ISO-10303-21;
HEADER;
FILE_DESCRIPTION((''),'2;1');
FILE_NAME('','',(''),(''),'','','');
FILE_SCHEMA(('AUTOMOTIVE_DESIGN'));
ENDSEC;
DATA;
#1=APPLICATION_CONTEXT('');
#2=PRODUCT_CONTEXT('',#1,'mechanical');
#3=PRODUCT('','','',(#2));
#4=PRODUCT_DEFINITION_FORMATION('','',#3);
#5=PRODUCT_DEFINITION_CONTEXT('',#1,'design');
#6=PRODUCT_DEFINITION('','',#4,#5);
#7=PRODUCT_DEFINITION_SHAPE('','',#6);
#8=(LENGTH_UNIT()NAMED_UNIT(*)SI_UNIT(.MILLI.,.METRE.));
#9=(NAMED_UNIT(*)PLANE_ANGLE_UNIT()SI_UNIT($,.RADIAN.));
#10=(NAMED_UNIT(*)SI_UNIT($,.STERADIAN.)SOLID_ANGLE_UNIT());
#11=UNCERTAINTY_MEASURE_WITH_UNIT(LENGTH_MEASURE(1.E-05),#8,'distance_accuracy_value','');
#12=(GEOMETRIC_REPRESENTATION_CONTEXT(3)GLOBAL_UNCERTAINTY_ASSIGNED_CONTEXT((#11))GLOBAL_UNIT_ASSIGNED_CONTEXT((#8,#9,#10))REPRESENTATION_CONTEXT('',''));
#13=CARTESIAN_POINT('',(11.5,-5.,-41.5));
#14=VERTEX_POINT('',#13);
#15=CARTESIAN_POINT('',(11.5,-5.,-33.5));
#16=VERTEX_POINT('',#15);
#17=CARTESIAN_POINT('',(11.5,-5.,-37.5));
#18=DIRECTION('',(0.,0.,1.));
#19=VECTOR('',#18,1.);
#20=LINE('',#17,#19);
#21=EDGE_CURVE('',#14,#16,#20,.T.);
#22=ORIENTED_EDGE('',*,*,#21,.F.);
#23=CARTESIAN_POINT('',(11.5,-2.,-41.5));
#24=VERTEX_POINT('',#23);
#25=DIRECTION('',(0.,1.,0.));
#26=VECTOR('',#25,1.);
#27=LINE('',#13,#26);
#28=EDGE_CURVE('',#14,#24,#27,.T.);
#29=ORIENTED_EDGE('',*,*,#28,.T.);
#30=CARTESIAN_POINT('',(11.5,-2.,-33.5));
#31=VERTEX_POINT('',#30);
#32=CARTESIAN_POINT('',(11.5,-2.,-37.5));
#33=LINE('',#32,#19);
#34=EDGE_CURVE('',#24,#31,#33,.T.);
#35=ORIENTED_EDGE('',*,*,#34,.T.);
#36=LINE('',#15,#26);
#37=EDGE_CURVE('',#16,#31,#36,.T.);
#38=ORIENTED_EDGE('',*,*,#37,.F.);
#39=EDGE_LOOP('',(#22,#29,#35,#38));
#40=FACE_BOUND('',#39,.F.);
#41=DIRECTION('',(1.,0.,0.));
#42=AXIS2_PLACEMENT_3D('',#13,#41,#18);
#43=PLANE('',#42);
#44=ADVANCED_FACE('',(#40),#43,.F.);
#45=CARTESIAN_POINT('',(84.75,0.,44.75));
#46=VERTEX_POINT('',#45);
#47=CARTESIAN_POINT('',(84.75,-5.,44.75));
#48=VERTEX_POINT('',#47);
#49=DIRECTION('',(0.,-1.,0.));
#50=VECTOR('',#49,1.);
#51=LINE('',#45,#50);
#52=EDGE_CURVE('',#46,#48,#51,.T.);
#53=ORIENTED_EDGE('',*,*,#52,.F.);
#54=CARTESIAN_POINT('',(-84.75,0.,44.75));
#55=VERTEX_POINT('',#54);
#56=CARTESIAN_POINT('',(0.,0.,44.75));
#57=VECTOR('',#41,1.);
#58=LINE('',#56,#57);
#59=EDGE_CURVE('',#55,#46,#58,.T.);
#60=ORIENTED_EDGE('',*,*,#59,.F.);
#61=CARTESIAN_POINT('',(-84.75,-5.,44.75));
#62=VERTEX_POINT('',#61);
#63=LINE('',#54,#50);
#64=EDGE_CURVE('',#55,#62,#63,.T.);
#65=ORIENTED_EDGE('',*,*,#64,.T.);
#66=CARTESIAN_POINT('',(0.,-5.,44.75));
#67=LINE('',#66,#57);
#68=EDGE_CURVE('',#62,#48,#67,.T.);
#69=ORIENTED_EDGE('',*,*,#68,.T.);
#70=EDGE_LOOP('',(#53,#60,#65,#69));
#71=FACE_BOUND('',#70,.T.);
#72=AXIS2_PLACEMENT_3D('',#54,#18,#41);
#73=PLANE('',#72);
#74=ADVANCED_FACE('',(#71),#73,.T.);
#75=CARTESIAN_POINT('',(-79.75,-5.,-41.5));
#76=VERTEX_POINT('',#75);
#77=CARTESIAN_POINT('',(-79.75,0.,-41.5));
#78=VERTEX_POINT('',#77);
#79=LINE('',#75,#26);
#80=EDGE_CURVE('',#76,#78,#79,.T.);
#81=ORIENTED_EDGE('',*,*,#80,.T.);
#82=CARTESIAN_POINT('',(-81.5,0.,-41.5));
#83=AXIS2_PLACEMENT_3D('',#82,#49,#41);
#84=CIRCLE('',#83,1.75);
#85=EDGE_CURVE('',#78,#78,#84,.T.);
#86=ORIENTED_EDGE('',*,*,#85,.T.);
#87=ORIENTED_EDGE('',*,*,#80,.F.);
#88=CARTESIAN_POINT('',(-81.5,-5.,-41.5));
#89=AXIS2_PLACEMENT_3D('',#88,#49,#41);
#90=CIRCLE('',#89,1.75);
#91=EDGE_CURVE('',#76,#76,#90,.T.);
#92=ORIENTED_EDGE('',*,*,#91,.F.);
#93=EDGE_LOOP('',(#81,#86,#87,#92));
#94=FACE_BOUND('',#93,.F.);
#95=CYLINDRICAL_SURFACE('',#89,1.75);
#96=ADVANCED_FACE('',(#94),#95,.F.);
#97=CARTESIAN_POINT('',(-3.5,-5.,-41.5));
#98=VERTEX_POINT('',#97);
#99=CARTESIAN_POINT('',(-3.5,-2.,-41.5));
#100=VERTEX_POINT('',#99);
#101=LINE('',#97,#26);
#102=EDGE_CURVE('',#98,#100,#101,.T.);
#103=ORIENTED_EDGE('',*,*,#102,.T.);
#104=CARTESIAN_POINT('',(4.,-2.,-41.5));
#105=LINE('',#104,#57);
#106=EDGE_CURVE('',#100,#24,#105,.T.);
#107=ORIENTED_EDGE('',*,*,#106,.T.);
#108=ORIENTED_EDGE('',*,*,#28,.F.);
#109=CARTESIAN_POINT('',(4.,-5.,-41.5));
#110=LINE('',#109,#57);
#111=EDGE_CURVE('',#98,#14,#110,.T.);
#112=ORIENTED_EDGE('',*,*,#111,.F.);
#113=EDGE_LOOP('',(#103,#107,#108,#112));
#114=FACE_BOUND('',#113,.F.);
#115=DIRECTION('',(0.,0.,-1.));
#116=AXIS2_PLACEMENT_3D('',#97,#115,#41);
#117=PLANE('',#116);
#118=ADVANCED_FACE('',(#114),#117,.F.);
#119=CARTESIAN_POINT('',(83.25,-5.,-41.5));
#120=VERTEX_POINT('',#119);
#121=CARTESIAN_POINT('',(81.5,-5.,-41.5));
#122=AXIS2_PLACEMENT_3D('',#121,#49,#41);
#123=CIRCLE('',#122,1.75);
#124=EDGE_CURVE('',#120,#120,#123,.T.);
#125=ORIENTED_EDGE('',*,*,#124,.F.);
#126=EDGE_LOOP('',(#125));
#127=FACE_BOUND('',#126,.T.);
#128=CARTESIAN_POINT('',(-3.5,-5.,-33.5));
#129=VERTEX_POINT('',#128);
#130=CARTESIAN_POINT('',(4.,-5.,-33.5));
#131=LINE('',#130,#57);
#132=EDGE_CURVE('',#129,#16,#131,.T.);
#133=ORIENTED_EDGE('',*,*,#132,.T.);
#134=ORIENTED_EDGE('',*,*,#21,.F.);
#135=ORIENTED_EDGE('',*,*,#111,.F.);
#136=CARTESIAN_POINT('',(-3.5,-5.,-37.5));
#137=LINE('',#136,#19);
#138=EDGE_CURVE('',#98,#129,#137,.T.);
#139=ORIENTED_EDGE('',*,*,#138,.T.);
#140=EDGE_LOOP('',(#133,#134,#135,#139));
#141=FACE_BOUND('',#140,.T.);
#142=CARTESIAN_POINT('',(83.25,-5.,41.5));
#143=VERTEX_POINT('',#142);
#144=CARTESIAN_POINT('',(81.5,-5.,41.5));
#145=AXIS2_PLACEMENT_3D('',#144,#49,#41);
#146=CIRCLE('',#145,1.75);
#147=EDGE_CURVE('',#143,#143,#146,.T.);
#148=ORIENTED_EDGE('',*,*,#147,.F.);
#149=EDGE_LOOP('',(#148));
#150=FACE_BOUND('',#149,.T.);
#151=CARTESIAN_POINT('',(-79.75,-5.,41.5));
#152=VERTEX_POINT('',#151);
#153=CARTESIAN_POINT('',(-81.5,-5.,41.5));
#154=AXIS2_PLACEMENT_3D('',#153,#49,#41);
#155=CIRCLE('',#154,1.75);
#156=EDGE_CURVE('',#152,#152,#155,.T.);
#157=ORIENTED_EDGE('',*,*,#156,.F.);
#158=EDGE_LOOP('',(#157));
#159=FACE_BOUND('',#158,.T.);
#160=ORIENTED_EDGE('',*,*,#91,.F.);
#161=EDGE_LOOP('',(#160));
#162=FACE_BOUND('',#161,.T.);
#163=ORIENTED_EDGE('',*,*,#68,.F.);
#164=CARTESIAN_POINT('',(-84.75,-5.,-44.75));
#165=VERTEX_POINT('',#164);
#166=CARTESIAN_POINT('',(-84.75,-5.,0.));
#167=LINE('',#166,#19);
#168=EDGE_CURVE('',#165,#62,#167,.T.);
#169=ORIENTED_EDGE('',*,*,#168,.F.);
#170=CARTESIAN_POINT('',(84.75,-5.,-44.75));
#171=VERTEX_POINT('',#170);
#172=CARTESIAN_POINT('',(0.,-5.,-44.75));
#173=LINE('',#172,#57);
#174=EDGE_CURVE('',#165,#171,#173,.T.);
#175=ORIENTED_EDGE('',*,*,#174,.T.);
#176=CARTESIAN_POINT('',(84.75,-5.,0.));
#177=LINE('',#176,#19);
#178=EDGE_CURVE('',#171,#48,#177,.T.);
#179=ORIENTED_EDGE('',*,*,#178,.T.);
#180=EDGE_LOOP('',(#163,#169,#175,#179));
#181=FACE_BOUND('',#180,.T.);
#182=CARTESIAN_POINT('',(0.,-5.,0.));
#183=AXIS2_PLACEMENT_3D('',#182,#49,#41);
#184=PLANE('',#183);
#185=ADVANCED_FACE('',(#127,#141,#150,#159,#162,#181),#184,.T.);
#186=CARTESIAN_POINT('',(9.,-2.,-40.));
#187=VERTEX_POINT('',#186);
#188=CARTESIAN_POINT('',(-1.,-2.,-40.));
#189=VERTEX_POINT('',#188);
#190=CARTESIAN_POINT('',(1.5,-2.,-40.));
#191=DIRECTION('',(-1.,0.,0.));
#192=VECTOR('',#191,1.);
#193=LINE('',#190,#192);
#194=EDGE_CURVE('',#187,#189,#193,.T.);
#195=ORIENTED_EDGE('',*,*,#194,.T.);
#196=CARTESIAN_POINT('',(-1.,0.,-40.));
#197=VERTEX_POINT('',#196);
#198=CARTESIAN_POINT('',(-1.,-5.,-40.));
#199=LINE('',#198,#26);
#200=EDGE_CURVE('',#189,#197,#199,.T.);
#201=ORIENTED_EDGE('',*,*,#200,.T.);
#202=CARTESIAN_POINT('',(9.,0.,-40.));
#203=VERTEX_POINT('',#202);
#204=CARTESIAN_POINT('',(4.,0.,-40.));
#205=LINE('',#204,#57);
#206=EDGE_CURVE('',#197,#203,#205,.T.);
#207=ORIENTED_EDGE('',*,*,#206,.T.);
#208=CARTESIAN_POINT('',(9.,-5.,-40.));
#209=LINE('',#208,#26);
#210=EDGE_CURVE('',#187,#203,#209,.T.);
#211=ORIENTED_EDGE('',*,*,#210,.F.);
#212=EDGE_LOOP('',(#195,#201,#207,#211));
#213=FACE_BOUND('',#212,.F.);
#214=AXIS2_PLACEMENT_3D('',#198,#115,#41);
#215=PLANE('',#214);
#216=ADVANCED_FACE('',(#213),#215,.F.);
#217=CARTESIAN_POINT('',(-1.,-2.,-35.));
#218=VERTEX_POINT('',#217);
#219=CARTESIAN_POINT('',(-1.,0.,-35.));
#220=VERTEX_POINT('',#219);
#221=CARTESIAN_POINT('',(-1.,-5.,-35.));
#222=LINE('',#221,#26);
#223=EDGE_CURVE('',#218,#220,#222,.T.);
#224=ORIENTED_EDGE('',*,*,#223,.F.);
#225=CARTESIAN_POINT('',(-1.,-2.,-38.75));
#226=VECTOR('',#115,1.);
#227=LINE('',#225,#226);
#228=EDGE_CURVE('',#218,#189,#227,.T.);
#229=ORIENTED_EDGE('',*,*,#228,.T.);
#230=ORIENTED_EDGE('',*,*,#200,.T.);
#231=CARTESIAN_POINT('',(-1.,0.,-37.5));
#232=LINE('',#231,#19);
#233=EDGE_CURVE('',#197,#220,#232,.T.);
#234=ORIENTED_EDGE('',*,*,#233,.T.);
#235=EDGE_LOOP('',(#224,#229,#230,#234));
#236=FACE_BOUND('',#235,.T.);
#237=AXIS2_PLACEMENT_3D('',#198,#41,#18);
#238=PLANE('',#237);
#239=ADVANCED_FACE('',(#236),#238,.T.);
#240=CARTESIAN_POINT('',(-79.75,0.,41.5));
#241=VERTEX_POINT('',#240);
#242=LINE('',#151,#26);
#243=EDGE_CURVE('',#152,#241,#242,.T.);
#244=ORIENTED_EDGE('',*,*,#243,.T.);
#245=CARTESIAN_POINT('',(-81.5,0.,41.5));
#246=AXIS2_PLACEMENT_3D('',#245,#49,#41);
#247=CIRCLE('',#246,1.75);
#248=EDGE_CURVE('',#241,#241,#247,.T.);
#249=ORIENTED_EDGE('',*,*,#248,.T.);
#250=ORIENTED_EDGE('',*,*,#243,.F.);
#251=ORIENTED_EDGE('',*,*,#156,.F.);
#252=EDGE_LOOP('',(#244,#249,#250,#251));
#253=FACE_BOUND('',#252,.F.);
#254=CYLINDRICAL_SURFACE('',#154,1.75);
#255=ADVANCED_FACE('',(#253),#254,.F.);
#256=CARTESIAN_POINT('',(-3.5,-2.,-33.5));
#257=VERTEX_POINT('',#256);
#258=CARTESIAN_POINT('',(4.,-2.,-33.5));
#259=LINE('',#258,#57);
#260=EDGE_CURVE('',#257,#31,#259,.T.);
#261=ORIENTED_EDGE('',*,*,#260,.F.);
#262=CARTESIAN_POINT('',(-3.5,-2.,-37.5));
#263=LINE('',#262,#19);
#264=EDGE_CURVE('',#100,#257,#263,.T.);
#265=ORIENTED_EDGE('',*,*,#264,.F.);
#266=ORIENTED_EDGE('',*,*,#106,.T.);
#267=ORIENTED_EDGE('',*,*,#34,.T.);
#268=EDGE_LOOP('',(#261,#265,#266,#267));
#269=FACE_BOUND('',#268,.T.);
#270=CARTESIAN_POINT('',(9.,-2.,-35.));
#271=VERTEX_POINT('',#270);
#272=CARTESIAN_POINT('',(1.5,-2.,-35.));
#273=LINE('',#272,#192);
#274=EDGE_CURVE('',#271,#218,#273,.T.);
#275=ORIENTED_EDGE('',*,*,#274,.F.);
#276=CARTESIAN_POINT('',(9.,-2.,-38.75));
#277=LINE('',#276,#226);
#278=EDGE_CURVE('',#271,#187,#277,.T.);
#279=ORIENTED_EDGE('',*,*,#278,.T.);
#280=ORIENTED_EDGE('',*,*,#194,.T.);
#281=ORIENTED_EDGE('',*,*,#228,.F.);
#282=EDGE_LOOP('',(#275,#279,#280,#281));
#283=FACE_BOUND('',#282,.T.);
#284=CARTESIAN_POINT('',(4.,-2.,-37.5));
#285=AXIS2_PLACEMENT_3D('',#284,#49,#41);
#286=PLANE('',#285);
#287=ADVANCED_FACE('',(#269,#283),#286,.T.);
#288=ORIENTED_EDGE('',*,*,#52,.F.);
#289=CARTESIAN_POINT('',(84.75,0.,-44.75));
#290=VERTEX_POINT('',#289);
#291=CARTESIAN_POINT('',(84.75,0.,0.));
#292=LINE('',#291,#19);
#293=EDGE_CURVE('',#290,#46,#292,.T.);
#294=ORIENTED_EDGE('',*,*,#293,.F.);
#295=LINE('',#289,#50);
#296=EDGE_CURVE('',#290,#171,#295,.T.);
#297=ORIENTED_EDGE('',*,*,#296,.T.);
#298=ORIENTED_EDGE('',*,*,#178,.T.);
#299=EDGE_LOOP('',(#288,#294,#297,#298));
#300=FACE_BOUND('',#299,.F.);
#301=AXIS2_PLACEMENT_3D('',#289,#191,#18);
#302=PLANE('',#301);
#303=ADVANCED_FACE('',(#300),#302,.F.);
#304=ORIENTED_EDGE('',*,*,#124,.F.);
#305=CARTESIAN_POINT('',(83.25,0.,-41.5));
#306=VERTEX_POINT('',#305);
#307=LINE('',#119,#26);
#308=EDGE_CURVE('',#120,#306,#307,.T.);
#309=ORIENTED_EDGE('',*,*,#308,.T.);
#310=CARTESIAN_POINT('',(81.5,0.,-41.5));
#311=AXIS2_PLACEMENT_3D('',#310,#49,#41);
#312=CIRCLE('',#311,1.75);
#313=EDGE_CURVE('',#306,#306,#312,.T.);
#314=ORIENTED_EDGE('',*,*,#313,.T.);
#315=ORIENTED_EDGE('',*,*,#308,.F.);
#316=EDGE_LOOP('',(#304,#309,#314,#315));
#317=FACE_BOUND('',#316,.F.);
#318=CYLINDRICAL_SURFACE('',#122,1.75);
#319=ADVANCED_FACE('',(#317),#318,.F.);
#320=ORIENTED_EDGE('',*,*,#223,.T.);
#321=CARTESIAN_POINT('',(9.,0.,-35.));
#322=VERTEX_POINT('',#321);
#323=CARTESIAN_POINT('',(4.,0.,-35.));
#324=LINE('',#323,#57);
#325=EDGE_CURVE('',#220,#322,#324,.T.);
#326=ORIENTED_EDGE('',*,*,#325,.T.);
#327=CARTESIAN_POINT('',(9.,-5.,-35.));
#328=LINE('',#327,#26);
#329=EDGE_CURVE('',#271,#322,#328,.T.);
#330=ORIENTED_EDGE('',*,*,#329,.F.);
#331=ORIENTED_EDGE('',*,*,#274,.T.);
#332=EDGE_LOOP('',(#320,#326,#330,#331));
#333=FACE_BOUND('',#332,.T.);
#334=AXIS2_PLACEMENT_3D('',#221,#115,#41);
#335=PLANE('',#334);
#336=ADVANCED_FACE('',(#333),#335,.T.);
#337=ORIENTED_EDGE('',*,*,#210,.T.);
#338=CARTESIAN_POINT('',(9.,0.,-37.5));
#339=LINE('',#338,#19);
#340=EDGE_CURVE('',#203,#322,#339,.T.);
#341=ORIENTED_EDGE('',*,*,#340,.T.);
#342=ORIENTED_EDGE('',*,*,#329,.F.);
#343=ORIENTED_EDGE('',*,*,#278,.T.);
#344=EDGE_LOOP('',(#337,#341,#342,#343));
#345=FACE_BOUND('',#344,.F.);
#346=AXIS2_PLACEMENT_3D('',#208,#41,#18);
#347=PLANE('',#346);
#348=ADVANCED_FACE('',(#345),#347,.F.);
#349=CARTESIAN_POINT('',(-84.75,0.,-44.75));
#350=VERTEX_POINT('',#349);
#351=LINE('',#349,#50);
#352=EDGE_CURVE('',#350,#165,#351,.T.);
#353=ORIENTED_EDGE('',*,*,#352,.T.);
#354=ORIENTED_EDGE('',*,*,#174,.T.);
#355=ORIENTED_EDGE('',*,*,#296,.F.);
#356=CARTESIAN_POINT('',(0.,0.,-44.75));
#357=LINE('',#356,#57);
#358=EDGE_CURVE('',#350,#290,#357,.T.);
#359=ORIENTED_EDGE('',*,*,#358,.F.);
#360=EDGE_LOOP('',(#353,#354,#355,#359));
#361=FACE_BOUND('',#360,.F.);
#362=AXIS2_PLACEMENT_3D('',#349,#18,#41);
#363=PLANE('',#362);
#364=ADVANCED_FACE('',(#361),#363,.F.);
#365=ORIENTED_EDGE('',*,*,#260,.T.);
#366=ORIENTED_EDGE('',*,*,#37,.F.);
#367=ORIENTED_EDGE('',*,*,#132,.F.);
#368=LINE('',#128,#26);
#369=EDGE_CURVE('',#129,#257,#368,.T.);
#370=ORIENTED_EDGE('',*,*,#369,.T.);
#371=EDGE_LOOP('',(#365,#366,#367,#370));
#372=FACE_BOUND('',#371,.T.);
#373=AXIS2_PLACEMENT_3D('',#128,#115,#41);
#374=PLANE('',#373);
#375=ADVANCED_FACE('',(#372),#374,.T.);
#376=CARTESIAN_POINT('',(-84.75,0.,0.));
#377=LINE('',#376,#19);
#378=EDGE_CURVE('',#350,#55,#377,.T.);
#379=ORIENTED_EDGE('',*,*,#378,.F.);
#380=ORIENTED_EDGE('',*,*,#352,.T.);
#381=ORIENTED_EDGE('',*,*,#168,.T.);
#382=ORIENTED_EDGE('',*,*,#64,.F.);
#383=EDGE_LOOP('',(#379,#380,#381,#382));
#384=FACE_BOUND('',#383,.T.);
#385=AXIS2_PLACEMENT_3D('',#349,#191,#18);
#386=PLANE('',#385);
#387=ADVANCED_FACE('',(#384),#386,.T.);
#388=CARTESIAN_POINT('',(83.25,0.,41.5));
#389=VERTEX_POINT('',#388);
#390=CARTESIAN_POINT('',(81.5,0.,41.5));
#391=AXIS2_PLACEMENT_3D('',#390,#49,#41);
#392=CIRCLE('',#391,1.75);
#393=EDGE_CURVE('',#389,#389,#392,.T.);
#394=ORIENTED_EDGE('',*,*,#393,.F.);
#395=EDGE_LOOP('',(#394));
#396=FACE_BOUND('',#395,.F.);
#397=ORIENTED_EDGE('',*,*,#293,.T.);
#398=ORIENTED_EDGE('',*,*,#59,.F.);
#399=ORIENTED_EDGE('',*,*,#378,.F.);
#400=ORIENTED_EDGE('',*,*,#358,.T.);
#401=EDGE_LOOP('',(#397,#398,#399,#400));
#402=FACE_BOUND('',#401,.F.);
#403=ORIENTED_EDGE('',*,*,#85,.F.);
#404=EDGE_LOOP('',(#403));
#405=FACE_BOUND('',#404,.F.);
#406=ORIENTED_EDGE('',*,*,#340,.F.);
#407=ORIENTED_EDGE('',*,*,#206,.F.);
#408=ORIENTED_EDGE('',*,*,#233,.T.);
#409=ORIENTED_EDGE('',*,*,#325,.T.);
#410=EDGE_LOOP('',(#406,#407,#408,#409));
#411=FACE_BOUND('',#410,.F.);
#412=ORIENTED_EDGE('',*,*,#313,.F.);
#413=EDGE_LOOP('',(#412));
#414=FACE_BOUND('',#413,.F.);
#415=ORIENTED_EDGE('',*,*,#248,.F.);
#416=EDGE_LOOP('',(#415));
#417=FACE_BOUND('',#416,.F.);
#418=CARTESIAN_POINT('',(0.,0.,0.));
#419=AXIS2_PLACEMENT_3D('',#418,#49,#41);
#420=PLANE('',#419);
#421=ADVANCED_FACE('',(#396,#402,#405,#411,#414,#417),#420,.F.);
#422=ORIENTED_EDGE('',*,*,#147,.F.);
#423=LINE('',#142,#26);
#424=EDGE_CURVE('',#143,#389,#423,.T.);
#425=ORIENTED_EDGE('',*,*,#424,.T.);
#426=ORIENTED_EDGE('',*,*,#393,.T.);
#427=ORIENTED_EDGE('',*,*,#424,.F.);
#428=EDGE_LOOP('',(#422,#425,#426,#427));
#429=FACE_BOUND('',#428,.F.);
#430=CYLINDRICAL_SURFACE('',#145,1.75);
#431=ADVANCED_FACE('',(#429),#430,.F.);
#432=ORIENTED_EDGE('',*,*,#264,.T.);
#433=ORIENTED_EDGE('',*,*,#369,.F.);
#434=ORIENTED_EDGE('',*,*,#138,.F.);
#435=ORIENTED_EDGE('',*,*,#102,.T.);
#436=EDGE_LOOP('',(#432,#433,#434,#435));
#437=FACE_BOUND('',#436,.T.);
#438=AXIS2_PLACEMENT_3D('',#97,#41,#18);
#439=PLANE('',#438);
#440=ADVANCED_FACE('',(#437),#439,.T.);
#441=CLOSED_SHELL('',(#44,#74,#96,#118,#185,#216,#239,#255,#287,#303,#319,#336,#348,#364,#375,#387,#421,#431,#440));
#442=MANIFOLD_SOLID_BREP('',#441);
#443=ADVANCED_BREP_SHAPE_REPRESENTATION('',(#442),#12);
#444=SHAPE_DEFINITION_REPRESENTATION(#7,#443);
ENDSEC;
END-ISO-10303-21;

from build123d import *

# Parameters (mm, degrees)
SKETCH_W        = 169.5
SKETCH_H        = 89.5
PAD_DEPTH       = 5
SKETCH001_R     = 1.75
SKETCH001_W     = 10
SKETCH001_H     = 5
POCKET_DEPTH    = 5
SKETCH002_W     = 15
SKETCH002_H     = 8
POCKET001_DEPTH = 3


with BuildPart() as part:
    # Sketch → Pad (new body)
    with BuildSketch(Plane.XZ):
        Rectangle(SKETCH_W, SKETCH_H)
    extrude(amount=PAD_DEPTH)

    # Sketch001 (on Face6 of Pad) → Pocket (cut)
    with BuildSketch(Plane.XZ.offset(5)):
        with Locations((-81.5, 41.5)):
            Circle(SKETCH001_R)
        with Locations((81.5, 41.5)):
            Circle(SKETCH001_R)
        with Locations((-81.5, -41.5)):
            Circle(SKETCH001_R)
        with Locations((81.5, -41.5)):
            Circle(SKETCH001_R)
        with Locations((4, -37.5)):
            Rectangle(SKETCH001_W, SKETCH001_H)
    extrude(amount=-POCKET_DEPTH, mode=Mode.SUBTRACT)

    # Sketch002 (on Face5 of Pocket) → Pocket001 (cut)
    with BuildSketch(Plane.XZ.offset(5)):
        with Locations((4, -37.5)):
            Rectangle(SKETCH002_W, SKETCH002_H)
    extrude(amount=-POCKET001_DEPTH, mode=Mode.SUBTRACT)


solid = part.part
